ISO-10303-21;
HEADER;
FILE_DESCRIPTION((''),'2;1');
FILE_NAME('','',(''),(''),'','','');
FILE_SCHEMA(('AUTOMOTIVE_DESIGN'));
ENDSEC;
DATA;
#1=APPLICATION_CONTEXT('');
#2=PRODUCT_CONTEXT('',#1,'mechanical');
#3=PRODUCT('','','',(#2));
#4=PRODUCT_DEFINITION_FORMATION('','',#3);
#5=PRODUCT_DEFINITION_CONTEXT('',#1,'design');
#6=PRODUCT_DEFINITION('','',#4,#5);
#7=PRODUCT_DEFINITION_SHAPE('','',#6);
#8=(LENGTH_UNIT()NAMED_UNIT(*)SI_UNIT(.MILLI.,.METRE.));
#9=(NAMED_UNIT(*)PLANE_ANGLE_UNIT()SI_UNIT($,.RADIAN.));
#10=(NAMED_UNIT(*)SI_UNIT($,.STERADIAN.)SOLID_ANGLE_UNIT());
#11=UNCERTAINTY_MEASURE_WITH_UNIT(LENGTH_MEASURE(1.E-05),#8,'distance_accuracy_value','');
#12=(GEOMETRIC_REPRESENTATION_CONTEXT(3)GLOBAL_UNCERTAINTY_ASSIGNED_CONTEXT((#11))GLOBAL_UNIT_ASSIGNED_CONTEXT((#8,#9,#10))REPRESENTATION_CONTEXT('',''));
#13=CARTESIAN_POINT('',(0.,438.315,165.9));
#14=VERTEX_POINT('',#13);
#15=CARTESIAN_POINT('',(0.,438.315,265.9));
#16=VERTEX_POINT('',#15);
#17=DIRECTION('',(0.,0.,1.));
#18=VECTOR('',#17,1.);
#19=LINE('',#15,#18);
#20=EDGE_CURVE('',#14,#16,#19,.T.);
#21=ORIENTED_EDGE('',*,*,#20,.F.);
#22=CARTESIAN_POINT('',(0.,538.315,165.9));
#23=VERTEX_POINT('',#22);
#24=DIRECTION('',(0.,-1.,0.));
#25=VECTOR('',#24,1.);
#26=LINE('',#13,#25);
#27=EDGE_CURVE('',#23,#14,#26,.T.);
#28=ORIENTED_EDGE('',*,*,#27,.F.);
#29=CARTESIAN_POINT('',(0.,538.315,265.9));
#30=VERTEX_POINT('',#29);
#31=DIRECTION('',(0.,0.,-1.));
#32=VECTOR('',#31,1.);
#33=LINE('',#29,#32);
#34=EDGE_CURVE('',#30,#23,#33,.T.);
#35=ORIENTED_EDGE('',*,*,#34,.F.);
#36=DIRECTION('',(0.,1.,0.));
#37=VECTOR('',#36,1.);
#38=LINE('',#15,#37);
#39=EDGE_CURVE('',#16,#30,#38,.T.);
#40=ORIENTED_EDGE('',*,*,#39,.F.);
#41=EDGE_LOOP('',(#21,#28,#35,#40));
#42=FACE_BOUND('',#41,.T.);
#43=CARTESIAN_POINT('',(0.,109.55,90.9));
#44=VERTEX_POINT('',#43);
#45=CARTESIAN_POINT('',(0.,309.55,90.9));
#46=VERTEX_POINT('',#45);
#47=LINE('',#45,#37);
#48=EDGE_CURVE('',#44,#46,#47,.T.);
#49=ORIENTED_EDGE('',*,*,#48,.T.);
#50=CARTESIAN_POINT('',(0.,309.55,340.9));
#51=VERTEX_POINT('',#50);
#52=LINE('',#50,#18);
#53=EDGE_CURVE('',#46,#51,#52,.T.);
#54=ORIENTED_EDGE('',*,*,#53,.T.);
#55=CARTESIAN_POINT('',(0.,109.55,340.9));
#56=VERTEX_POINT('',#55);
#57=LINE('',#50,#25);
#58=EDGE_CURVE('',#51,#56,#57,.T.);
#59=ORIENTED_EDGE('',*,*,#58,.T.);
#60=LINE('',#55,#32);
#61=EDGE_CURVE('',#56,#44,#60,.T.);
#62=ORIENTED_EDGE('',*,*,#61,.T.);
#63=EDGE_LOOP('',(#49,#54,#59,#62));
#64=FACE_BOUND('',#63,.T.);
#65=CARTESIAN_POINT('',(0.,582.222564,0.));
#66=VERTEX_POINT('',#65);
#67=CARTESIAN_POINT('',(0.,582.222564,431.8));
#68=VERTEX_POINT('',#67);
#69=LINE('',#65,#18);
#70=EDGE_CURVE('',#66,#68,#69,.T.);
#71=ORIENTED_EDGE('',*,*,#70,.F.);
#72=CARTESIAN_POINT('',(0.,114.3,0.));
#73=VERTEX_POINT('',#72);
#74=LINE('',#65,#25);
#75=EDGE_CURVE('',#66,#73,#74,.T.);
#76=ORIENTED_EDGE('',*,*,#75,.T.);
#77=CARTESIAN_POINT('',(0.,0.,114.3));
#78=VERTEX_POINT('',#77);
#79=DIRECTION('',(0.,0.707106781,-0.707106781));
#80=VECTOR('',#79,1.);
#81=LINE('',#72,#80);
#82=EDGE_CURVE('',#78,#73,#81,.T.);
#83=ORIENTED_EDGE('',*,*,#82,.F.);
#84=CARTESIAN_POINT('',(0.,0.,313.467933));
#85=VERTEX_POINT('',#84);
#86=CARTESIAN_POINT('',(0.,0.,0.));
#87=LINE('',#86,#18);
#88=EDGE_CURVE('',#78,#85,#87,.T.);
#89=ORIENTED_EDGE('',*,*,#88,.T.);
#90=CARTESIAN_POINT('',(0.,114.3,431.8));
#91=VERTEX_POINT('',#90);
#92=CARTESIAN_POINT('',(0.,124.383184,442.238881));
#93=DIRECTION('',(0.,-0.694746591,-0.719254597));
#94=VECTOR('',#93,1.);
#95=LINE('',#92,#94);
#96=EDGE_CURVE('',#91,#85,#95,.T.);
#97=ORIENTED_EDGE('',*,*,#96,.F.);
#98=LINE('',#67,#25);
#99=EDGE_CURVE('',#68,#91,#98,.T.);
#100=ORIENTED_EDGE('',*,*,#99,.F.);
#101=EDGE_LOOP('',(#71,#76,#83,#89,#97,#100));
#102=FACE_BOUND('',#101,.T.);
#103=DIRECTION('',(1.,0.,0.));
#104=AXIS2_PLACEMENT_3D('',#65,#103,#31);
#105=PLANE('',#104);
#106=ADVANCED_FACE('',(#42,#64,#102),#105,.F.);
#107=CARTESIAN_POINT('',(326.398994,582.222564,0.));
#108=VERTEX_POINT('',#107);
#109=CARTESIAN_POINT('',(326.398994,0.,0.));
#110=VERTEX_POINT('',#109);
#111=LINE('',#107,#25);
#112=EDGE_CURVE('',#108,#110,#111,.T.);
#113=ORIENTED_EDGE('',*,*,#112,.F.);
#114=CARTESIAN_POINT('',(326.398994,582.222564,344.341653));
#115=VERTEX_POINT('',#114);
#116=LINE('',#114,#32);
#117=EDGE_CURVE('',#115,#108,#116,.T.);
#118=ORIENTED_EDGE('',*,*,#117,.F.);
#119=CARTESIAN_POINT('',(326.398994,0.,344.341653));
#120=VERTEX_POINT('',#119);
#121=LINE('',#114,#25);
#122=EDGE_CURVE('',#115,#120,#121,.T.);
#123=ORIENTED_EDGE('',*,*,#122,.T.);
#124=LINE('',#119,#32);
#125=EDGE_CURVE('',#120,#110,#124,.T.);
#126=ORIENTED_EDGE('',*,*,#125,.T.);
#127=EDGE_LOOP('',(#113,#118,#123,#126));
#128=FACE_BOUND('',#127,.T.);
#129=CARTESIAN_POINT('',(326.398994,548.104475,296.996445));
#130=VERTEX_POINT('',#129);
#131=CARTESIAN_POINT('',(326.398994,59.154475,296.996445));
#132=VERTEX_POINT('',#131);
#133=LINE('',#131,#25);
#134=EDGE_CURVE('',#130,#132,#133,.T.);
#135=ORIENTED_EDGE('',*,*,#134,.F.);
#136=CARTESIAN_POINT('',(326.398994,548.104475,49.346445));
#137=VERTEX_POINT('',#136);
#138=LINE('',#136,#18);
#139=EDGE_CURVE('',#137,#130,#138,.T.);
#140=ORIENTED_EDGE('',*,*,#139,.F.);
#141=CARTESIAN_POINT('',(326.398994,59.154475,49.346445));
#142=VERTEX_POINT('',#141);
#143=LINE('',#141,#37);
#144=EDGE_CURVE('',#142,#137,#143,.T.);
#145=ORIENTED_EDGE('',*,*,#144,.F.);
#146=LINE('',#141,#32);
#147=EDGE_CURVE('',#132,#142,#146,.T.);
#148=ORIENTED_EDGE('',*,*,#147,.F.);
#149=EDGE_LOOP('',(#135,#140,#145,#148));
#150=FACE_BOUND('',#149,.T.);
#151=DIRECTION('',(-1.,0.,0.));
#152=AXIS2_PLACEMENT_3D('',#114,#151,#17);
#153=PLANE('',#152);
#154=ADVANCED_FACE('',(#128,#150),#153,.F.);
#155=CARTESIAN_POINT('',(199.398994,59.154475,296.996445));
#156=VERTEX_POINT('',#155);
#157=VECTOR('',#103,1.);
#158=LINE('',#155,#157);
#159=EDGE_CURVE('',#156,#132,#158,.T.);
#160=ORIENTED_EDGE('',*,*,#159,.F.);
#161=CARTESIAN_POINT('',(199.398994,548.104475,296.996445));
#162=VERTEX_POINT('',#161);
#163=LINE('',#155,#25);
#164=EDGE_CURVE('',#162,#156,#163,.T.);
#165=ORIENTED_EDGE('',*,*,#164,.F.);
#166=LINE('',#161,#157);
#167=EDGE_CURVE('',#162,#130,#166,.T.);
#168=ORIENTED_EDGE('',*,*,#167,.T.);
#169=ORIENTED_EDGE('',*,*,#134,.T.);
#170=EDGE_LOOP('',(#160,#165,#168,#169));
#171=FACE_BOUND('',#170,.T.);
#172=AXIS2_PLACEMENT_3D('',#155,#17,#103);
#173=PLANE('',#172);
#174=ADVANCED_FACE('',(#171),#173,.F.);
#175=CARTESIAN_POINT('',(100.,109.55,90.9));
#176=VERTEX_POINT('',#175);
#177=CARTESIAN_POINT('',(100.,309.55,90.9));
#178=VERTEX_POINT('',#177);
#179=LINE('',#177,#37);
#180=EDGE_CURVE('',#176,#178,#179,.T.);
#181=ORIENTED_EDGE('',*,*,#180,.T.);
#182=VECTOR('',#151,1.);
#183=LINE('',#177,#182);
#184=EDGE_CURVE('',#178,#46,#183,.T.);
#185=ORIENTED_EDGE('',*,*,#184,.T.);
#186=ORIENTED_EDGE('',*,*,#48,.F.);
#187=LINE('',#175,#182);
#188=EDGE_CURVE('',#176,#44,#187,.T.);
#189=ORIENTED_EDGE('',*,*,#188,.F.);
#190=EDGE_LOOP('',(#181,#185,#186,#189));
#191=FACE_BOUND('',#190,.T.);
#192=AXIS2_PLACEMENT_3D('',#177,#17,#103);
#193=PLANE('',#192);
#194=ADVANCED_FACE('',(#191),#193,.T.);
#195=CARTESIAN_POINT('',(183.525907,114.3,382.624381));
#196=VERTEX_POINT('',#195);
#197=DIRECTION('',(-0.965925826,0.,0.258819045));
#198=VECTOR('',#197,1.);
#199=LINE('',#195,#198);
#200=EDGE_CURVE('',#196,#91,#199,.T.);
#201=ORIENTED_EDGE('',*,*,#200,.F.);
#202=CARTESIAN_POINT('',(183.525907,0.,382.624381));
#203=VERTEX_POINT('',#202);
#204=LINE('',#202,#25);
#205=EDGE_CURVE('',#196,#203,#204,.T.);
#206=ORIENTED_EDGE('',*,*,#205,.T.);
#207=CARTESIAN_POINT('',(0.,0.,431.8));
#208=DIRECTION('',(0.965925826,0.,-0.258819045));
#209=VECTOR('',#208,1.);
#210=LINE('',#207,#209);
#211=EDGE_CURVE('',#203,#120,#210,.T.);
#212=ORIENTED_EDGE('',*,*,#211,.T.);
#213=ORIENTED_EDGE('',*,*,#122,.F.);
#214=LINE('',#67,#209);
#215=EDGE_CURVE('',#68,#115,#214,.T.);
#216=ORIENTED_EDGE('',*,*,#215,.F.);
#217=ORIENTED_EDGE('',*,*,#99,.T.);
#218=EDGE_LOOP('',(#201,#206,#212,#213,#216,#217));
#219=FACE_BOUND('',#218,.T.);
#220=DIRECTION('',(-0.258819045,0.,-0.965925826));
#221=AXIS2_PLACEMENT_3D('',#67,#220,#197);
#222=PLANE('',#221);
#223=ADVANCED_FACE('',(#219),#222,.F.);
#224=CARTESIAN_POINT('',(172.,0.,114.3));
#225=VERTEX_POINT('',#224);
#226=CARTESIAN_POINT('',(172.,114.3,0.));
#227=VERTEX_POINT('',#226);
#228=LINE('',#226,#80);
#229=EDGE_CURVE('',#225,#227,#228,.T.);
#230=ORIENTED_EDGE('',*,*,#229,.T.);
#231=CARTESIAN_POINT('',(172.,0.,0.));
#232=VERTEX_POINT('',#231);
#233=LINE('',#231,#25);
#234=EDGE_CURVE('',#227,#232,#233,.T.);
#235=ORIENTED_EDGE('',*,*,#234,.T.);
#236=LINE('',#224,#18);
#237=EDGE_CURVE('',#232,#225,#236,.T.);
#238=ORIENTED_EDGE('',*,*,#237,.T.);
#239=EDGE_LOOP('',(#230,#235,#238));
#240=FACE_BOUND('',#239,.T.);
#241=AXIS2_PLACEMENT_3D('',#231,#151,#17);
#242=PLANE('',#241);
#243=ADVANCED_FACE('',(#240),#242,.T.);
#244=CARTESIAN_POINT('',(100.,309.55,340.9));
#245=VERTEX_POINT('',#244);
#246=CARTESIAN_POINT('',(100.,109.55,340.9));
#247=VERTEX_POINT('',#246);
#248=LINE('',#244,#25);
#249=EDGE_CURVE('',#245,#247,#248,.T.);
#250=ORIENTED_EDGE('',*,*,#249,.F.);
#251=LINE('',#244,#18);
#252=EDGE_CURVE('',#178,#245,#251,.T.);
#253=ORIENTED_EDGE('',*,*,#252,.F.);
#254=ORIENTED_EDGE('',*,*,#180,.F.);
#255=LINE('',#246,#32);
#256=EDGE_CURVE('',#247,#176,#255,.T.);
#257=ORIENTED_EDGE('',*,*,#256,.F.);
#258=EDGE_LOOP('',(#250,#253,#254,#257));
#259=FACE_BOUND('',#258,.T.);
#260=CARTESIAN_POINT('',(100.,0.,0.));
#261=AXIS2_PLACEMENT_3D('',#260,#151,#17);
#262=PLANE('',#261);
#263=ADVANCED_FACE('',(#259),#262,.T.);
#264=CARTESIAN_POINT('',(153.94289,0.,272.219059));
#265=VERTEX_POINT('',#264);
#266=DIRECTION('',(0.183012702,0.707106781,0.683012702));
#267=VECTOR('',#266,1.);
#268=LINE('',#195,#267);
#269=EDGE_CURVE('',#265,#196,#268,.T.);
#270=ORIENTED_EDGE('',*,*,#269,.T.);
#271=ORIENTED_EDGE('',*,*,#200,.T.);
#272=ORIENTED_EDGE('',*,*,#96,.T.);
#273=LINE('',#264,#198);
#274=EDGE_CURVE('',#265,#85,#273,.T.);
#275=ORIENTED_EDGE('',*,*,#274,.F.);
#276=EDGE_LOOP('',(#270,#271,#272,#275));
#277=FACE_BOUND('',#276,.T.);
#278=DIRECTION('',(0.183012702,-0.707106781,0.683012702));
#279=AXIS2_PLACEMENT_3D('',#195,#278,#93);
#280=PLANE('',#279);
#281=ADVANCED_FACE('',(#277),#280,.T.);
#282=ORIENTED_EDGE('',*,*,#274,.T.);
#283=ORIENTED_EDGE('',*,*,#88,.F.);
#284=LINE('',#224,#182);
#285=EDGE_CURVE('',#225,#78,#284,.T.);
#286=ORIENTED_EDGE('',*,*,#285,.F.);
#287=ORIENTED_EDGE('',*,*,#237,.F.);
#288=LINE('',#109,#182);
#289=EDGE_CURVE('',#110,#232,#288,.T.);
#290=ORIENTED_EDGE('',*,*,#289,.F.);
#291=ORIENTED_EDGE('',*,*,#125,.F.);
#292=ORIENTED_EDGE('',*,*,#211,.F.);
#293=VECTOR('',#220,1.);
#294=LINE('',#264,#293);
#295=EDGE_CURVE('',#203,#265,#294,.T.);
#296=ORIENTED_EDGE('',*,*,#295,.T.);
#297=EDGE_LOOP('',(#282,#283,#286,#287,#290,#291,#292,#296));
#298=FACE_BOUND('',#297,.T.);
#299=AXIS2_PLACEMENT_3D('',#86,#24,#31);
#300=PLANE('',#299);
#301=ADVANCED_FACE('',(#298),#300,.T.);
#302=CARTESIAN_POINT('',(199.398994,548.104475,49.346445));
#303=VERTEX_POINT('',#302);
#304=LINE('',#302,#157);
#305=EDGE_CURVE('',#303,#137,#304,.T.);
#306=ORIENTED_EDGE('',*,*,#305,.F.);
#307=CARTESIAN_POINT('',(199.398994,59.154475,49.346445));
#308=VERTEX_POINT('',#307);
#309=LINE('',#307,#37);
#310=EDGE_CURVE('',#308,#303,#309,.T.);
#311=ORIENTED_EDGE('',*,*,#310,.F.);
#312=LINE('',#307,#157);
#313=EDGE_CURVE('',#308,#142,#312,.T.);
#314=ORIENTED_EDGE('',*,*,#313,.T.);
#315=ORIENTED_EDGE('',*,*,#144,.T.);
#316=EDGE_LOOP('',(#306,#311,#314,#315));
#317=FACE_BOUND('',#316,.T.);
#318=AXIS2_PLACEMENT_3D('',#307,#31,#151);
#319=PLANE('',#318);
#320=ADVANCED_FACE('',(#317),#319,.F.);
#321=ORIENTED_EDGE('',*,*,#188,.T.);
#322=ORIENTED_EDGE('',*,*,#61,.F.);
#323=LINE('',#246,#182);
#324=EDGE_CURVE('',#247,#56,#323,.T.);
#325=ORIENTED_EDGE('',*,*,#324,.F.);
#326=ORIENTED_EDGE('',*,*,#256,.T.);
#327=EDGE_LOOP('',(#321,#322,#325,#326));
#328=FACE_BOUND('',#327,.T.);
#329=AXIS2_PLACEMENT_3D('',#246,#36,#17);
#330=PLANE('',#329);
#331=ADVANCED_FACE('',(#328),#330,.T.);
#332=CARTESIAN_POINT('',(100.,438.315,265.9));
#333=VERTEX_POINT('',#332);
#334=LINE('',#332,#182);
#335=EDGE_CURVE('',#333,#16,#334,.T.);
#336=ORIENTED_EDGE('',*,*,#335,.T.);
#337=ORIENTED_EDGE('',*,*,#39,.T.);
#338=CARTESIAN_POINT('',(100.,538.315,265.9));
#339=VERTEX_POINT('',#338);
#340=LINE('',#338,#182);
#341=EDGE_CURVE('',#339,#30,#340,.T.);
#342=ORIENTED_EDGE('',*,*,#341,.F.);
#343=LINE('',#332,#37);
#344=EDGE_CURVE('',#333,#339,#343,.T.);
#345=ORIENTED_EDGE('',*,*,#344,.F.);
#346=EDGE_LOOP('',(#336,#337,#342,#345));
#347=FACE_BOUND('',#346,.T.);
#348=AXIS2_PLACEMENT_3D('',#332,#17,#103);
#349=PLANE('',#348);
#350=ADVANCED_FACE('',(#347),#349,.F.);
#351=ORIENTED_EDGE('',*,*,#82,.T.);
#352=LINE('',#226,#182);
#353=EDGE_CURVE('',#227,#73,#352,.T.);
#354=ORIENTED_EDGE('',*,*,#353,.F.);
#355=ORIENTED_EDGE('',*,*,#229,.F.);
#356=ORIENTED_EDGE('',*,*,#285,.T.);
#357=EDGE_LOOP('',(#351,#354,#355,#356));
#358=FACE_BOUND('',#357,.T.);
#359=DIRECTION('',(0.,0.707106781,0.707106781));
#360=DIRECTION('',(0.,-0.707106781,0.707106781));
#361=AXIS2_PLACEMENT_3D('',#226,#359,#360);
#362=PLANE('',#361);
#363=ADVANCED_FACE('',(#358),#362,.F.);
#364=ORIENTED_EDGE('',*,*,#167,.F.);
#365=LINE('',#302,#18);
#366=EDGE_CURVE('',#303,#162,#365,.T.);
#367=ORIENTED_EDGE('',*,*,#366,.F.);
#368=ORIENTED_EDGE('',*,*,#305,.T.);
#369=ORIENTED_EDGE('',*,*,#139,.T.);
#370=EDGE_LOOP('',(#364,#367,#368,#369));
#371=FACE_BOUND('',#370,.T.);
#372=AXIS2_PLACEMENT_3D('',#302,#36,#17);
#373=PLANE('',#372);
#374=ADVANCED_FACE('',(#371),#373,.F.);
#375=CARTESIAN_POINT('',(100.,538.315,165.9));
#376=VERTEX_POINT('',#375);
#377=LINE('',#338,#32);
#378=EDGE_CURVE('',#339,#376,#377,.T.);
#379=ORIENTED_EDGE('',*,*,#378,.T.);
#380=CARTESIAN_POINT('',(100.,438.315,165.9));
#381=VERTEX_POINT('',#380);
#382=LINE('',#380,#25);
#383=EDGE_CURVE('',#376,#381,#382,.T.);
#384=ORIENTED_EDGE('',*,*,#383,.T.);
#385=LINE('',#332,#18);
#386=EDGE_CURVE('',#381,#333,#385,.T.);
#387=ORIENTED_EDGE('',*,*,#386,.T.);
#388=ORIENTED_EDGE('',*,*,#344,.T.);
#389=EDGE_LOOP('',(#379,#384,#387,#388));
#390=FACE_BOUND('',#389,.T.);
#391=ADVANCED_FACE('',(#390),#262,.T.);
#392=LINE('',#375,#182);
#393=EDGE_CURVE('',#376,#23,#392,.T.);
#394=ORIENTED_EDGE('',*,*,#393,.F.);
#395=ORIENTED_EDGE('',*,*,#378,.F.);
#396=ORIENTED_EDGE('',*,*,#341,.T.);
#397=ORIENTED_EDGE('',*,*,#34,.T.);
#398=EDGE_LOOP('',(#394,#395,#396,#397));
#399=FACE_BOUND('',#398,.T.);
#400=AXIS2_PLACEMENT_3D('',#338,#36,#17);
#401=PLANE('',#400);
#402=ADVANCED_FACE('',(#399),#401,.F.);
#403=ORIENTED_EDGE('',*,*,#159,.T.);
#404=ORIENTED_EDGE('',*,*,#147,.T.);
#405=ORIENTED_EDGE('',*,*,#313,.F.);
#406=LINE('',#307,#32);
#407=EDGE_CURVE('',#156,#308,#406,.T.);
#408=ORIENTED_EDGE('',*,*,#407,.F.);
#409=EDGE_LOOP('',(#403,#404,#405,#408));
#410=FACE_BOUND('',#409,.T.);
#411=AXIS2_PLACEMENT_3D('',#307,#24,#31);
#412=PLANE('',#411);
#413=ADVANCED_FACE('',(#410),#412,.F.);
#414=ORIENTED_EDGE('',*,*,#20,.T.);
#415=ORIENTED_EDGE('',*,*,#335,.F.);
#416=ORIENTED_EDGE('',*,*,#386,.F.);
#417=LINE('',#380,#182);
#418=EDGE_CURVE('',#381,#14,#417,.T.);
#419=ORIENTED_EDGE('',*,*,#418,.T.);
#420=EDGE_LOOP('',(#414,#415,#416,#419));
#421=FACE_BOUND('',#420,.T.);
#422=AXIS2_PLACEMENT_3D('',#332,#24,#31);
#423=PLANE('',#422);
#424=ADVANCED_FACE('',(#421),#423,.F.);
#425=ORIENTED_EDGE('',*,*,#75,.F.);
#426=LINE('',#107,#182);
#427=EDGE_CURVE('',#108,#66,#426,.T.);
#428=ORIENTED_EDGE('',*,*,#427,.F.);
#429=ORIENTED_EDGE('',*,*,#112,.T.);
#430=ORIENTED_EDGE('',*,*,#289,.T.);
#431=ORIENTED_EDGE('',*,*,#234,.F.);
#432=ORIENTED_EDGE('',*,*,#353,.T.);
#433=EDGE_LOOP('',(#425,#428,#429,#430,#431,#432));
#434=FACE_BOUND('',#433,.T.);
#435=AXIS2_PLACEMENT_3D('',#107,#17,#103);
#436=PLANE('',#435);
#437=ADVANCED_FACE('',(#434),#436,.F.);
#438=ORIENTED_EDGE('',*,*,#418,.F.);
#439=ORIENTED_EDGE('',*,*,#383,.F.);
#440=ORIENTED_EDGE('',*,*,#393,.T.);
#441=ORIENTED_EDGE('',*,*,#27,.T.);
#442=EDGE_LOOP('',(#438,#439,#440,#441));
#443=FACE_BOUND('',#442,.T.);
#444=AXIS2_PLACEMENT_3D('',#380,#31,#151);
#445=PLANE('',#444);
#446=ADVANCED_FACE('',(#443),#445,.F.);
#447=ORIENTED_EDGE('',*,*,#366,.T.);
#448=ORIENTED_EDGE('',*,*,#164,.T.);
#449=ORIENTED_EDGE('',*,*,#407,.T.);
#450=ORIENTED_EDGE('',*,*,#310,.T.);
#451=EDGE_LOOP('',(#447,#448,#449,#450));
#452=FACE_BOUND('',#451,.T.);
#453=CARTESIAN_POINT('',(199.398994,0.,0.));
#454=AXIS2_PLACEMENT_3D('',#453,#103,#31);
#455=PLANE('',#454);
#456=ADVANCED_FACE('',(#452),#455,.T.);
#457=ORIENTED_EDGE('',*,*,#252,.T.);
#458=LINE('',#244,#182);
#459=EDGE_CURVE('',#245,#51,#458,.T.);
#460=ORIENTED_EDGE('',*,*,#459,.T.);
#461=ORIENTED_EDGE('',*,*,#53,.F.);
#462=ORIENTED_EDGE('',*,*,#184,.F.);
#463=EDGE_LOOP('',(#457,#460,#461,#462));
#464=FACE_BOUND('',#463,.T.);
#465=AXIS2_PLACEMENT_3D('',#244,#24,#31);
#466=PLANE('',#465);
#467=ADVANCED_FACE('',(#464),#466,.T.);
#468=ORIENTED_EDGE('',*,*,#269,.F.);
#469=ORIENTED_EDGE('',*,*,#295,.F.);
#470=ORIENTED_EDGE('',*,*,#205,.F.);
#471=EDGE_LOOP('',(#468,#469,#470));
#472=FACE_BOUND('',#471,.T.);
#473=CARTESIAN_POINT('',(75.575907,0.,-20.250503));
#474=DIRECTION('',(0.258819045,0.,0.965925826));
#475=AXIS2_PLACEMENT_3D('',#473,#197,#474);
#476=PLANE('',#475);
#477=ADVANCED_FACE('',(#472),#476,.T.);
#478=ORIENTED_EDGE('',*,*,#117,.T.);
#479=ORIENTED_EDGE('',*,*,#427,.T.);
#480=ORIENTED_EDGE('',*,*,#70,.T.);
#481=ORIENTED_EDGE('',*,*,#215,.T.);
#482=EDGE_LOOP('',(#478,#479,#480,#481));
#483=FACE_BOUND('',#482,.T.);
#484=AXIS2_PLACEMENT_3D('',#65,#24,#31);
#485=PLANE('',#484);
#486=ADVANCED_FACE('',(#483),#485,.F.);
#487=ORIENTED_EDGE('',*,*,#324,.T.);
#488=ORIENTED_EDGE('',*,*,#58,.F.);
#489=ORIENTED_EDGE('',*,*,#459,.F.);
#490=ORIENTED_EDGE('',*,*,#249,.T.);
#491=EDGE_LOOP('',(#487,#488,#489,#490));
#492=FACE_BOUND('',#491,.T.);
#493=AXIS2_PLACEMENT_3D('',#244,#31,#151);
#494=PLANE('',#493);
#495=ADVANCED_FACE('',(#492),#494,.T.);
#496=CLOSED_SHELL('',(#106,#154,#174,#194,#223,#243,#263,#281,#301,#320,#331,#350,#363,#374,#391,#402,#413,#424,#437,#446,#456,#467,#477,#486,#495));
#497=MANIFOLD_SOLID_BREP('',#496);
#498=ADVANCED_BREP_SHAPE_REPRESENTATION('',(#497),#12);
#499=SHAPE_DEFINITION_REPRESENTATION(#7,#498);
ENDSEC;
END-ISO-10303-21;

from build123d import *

# Parameters (mm, degrees)
BOSS_EXTRUDE1_DEPTH = 582.222564
SKETCH3_W           = 247.65
SKETCH3_H           = 488.95
CUT_EXTRUDE1_DEPTH  = 127
SKETCH4_W           = 200
SKETCH4_H           = 250
CUT_EXTRUDE2_DEPTH  = 100
SKETCH5_W           = 100
SKETCH5_H           = 100
CUT_EXTRUDE3_DEPTH  = 100
CUT_EXTRUDE4_DEPTH  = 172
CUT_EXTRUDE5_DEPTH  = 190


with BuildPart() as part:
    # Sketch2 → Boss-Extrude1 (new body)
    with BuildSketch(Plane(origin=(0, 0, 0), x_dir=(1, 0, 0), z_dir=(0, 1, 0))):
        Polygon((0, -431.8), (326.398993941, -344.341653163), (326.398993941, 0), (0, 0), align=None)
    extrude(amount=BOSS_EXTRUDE1_DEPTH)

    # Sketch3 → Cut-Extrude1 (cut)
    with BuildSketch(Plane(origin=(326.398993941, 0, 0), x_dir=(0, 0, -1), z_dir=(1, 0, 0))):
        with Locations((-173.171445322, 303.629475409)):
            Rectangle(SKETCH3_W, SKETCH3_H)
    extrude(amount=-CUT_EXTRUDE1_DEPTH, mode=Mode.SUBTRACT)

    # Sketch4 → Cut-Extrude2 (cut)
    with BuildSketch(Plane(origin=(0, 0, 0), x_dir=(0, -1, 0), z_dir=(1, 0, 0))):
        with Locations((-209.55, -215.9)):
            Rectangle(SKETCH4_W, SKETCH4_H)
    extrude(amount=CUT_EXTRUDE2_DEPTH, mode=Mode.SUBTRACT)

    # Sketch5 → Cut-Extrude3 (cut)
    with BuildSketch(Plane.ZY):
        with Locations((215.9, 488.315)):
            Rectangle(SKETCH5_W, SKETCH5_H)
    extrude(amount=-CUT_EXTRUDE3_DEPTH, mode=Mode.SUBTRACT)

    # Sketch6 → Cut-Extrude4 (cut)
    with BuildSketch(Plane.ZY):
        Polygon((0, 114.3), (114.3, 0), (0, 0), align=None)
    extrude(amount=-CUT_EXTRUDE4_DEPTH, mode=Mode.SUBTRACT)

    # Sketch7 → Cut-Extrude5 (cut)
    with BuildSketch(Plane(origin=(-107.95, 0, 28.925115323), x_dir=(0, 1, 0), z_dir=(0.9659258262890691, 0, -0.25881904510251796))):
        Polygon((0, 417.086771792), (114.3, 417.086771792), (0, 302.786771792), align=None)
    extrude(amount=CUT_EXTRUDE5_DEPTH, mode=Mode.SUBTRACT)


solid = part.part
